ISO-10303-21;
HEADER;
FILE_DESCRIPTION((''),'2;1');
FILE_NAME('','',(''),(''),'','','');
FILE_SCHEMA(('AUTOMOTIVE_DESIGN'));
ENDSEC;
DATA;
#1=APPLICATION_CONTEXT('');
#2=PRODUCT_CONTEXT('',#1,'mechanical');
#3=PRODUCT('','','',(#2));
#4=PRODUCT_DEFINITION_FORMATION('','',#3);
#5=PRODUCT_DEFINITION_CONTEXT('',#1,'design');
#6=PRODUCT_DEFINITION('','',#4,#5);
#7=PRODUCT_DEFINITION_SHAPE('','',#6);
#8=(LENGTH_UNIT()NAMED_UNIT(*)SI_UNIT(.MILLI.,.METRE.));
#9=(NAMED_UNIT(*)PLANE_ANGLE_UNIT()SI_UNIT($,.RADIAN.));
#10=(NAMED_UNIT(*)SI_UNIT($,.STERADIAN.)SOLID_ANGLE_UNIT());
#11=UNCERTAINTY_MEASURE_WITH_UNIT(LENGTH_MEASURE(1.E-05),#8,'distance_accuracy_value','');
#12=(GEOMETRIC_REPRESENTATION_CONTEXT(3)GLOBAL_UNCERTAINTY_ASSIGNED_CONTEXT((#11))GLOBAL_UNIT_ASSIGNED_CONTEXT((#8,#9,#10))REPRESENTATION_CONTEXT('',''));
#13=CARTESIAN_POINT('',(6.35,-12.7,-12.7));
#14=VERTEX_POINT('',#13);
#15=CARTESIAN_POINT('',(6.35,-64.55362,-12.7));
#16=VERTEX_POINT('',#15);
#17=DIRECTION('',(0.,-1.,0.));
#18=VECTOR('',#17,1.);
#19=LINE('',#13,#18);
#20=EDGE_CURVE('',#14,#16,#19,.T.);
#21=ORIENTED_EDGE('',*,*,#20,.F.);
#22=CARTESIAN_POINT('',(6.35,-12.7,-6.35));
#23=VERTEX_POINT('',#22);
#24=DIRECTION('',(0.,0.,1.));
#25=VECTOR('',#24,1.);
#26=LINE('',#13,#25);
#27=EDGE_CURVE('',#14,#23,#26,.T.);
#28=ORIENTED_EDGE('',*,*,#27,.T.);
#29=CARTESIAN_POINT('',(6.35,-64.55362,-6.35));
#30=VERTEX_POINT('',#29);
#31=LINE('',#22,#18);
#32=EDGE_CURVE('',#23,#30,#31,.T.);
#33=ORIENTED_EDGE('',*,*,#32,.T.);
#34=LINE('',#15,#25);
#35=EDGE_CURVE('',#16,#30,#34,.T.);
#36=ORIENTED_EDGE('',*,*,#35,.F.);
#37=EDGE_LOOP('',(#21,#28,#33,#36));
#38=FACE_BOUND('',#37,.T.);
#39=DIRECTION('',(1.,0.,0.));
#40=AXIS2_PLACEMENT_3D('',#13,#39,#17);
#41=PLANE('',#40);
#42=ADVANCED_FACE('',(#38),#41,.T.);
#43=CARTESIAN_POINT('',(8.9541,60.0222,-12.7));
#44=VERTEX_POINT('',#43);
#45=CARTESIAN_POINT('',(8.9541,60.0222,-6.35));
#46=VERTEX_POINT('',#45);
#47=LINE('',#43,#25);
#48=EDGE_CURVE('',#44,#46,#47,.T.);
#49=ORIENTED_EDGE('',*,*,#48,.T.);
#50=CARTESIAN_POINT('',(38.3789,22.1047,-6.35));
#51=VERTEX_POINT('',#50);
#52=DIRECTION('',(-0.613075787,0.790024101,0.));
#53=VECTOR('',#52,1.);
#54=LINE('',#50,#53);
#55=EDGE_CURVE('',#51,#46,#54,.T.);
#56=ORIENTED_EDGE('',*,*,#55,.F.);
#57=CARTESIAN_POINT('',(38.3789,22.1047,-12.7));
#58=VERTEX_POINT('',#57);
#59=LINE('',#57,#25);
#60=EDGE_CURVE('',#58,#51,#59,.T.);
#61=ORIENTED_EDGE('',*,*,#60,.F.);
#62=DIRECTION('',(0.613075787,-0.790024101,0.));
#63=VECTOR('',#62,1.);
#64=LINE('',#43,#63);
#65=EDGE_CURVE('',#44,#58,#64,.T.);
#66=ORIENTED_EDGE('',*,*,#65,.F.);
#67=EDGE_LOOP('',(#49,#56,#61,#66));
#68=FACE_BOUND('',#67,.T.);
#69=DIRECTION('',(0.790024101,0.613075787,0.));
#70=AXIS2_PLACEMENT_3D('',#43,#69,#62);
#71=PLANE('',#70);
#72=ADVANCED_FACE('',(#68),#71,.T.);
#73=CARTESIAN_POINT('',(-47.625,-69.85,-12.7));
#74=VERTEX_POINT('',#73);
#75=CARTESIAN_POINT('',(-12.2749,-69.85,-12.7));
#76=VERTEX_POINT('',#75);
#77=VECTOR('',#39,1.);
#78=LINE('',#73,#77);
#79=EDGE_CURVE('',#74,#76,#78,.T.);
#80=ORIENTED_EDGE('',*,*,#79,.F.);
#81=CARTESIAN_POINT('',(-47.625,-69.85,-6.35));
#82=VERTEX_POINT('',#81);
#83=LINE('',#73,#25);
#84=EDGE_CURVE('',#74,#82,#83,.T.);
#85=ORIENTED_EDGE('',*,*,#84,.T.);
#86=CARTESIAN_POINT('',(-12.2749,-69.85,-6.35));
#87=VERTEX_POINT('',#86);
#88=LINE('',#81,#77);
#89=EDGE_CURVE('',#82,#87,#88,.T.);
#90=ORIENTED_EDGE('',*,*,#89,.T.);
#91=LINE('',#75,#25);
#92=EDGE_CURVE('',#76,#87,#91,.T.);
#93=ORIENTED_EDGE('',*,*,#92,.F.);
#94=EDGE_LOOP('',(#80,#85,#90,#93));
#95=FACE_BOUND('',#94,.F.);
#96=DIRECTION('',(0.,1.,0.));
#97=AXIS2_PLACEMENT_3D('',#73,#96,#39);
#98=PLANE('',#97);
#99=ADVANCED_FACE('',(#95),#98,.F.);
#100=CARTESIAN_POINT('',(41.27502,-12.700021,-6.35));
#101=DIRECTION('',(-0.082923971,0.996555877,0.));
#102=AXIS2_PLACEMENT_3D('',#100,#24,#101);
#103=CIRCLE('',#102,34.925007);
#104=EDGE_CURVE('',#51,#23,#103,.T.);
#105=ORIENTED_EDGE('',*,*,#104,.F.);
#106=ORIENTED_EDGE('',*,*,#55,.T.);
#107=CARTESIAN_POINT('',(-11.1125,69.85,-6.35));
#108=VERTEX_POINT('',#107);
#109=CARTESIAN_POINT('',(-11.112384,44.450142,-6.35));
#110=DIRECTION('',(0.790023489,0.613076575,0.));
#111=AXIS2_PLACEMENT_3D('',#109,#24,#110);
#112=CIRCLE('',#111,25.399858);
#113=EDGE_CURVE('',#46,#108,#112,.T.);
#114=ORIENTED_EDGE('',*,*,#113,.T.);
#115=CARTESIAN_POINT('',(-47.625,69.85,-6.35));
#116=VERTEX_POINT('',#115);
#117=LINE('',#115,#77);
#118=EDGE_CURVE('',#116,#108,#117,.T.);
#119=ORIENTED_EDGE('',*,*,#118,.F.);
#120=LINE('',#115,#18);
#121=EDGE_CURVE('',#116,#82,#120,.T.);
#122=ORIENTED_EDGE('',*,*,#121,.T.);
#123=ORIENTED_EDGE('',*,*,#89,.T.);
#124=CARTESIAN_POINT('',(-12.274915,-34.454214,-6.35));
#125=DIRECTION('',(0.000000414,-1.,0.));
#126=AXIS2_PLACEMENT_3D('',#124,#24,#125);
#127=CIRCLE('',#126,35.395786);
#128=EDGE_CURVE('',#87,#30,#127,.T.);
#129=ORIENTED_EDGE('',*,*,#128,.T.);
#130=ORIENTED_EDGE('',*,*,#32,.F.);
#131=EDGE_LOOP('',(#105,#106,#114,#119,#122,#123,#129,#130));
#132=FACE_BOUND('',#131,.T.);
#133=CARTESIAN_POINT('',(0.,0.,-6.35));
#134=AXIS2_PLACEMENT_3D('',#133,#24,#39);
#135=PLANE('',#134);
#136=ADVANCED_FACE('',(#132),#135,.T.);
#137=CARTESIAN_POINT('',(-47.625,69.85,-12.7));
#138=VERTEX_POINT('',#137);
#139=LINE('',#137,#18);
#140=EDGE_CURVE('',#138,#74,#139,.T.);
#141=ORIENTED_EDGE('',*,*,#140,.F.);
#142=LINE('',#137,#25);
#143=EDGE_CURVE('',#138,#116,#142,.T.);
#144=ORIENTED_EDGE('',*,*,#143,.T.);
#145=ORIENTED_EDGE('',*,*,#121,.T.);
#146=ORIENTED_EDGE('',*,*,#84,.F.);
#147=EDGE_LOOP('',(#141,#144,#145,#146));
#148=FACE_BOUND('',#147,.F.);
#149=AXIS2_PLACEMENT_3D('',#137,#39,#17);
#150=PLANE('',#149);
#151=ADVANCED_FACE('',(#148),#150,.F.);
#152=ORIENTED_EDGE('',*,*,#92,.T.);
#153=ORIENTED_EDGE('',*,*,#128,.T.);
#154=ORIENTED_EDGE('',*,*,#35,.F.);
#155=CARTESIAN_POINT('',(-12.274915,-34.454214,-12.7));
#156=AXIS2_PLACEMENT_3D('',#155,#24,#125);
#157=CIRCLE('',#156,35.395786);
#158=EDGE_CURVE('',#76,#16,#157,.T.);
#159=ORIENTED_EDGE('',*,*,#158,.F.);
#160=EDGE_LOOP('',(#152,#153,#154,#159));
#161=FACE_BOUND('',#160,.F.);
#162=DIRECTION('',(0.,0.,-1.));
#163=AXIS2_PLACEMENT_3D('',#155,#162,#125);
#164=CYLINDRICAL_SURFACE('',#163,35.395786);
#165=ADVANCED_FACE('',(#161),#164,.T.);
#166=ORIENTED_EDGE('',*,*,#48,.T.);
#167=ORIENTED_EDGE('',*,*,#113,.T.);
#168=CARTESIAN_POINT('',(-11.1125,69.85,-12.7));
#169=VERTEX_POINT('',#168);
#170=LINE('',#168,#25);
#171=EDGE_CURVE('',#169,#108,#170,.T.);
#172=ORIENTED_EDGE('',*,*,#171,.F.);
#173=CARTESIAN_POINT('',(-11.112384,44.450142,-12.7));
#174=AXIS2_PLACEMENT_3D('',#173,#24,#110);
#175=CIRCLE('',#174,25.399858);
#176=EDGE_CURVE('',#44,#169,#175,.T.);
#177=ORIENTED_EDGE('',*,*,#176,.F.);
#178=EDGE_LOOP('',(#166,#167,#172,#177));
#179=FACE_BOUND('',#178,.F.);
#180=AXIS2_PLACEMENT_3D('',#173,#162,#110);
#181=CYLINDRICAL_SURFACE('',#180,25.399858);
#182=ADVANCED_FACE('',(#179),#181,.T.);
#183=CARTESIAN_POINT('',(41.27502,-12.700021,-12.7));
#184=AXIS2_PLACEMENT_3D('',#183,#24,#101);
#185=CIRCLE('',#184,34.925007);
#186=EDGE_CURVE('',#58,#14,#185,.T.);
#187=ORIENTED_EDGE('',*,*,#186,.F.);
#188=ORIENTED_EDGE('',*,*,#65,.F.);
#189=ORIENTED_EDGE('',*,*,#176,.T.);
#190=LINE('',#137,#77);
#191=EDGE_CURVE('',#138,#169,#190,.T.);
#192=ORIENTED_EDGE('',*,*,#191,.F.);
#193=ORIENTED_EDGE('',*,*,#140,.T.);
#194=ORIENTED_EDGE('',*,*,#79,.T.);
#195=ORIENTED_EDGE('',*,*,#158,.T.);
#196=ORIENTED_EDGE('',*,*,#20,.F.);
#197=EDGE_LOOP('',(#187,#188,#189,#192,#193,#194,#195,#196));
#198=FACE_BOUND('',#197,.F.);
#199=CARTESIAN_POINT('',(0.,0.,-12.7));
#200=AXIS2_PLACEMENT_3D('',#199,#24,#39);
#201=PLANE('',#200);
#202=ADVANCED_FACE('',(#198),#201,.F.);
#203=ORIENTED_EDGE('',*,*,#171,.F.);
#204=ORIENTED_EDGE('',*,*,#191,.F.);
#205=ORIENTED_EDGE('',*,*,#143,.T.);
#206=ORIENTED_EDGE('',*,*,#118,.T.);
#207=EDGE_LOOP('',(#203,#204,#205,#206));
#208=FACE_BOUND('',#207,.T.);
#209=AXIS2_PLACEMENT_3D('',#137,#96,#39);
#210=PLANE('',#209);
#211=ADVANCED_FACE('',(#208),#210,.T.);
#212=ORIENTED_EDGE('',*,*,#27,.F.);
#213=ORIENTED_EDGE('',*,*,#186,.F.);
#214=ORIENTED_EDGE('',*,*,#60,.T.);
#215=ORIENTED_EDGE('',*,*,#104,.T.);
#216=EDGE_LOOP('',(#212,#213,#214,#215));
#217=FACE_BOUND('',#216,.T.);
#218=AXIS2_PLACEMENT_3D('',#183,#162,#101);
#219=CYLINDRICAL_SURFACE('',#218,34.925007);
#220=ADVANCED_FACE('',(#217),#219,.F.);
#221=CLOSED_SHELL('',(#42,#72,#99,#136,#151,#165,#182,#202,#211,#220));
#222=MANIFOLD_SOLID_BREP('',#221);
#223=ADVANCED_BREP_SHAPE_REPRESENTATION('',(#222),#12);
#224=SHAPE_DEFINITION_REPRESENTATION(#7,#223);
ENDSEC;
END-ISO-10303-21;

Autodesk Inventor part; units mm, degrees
ref_plane "YZ Plane" through (0, 0, 0) normal (1, 0, 0) x (0, 1, 0)
ref_plane "XZ Plane" through (0, 0, 0) normal (0, 1, 0) x (-1, 0, 0)
ref_plane "Work Plane1" through (0, 0, -12.7) normal (0, 0, 1) x (1, 0, 0)
sketch "Sketch1" plane through (0, 0, -12.7) normal (0, 0, 1) x (1, 0, 0)
  line L0 (-47.625, 69.85) -> (-11.1125, 69.85)
  arc A0 (8.9541, 60.0222) -> (-11.1125, 69.85) centre (-11.1125, 44.45) ccw
  line L1 (8.9541, 60.0222) -> (38.3789, 22.1047)
  line L2 (-47.625, 69.85) -> (-47.625, -69.85)
  line L3 (-47.625, -69.85) -> (-12.2749, -69.85)
  arc A1 (-12.2749, -69.85) -> (9.777, -62.1413) centre (-12.2749, -34.4543) ccw
  line L4 (9.777, -62.1413) -> (30.2464, -45.838)
  arc A2 (38.3789, 22.1047) -> (30.2464, -45.838) centre (41.275, -12.7) ccw
  line L5 (56.3249, -1.0209) -> (8.9541, 60.0222) construction
  line L6 (-11.1125, 69.85) -> (-60.325, 69.85) construction
  line L7 (-60.325, -69.85) -> (-12.2749, -69.85) construction
  line L8 (9.777, -62.1413) -> (53.1434, -27.6012) construction
  circle A3 centre (41.275, -12.7) radius 9.525 construction
  line L9 (-60.325, 69.85) -> (-60.325, -69.85) construction
  circle A4 centre (-11.1125, 44.45) radius 10
  line L10 (6.35, -12.7) -> (6.35, -64.8708)
  line L11 (41.275, 22.225) -> (38.2856, 22.225)
  point P0 (0, 0)
  point P1 (16.8552, -56.5037)
  point P2 (38.2856, 22.225)
  point P3 (6.35, -64.5536)
  dimension "d0" = 12.7
  dimension "d1" = 34.925
  dimension "d4" = 20
extrude "Extrusion1" add sketch "Sketch1" along normal blind 6.35 contours L0 A0 L1 A2 L10 A1 L3 L2 | A4
properties part number "baseInner" material "Aluminum 6061"
